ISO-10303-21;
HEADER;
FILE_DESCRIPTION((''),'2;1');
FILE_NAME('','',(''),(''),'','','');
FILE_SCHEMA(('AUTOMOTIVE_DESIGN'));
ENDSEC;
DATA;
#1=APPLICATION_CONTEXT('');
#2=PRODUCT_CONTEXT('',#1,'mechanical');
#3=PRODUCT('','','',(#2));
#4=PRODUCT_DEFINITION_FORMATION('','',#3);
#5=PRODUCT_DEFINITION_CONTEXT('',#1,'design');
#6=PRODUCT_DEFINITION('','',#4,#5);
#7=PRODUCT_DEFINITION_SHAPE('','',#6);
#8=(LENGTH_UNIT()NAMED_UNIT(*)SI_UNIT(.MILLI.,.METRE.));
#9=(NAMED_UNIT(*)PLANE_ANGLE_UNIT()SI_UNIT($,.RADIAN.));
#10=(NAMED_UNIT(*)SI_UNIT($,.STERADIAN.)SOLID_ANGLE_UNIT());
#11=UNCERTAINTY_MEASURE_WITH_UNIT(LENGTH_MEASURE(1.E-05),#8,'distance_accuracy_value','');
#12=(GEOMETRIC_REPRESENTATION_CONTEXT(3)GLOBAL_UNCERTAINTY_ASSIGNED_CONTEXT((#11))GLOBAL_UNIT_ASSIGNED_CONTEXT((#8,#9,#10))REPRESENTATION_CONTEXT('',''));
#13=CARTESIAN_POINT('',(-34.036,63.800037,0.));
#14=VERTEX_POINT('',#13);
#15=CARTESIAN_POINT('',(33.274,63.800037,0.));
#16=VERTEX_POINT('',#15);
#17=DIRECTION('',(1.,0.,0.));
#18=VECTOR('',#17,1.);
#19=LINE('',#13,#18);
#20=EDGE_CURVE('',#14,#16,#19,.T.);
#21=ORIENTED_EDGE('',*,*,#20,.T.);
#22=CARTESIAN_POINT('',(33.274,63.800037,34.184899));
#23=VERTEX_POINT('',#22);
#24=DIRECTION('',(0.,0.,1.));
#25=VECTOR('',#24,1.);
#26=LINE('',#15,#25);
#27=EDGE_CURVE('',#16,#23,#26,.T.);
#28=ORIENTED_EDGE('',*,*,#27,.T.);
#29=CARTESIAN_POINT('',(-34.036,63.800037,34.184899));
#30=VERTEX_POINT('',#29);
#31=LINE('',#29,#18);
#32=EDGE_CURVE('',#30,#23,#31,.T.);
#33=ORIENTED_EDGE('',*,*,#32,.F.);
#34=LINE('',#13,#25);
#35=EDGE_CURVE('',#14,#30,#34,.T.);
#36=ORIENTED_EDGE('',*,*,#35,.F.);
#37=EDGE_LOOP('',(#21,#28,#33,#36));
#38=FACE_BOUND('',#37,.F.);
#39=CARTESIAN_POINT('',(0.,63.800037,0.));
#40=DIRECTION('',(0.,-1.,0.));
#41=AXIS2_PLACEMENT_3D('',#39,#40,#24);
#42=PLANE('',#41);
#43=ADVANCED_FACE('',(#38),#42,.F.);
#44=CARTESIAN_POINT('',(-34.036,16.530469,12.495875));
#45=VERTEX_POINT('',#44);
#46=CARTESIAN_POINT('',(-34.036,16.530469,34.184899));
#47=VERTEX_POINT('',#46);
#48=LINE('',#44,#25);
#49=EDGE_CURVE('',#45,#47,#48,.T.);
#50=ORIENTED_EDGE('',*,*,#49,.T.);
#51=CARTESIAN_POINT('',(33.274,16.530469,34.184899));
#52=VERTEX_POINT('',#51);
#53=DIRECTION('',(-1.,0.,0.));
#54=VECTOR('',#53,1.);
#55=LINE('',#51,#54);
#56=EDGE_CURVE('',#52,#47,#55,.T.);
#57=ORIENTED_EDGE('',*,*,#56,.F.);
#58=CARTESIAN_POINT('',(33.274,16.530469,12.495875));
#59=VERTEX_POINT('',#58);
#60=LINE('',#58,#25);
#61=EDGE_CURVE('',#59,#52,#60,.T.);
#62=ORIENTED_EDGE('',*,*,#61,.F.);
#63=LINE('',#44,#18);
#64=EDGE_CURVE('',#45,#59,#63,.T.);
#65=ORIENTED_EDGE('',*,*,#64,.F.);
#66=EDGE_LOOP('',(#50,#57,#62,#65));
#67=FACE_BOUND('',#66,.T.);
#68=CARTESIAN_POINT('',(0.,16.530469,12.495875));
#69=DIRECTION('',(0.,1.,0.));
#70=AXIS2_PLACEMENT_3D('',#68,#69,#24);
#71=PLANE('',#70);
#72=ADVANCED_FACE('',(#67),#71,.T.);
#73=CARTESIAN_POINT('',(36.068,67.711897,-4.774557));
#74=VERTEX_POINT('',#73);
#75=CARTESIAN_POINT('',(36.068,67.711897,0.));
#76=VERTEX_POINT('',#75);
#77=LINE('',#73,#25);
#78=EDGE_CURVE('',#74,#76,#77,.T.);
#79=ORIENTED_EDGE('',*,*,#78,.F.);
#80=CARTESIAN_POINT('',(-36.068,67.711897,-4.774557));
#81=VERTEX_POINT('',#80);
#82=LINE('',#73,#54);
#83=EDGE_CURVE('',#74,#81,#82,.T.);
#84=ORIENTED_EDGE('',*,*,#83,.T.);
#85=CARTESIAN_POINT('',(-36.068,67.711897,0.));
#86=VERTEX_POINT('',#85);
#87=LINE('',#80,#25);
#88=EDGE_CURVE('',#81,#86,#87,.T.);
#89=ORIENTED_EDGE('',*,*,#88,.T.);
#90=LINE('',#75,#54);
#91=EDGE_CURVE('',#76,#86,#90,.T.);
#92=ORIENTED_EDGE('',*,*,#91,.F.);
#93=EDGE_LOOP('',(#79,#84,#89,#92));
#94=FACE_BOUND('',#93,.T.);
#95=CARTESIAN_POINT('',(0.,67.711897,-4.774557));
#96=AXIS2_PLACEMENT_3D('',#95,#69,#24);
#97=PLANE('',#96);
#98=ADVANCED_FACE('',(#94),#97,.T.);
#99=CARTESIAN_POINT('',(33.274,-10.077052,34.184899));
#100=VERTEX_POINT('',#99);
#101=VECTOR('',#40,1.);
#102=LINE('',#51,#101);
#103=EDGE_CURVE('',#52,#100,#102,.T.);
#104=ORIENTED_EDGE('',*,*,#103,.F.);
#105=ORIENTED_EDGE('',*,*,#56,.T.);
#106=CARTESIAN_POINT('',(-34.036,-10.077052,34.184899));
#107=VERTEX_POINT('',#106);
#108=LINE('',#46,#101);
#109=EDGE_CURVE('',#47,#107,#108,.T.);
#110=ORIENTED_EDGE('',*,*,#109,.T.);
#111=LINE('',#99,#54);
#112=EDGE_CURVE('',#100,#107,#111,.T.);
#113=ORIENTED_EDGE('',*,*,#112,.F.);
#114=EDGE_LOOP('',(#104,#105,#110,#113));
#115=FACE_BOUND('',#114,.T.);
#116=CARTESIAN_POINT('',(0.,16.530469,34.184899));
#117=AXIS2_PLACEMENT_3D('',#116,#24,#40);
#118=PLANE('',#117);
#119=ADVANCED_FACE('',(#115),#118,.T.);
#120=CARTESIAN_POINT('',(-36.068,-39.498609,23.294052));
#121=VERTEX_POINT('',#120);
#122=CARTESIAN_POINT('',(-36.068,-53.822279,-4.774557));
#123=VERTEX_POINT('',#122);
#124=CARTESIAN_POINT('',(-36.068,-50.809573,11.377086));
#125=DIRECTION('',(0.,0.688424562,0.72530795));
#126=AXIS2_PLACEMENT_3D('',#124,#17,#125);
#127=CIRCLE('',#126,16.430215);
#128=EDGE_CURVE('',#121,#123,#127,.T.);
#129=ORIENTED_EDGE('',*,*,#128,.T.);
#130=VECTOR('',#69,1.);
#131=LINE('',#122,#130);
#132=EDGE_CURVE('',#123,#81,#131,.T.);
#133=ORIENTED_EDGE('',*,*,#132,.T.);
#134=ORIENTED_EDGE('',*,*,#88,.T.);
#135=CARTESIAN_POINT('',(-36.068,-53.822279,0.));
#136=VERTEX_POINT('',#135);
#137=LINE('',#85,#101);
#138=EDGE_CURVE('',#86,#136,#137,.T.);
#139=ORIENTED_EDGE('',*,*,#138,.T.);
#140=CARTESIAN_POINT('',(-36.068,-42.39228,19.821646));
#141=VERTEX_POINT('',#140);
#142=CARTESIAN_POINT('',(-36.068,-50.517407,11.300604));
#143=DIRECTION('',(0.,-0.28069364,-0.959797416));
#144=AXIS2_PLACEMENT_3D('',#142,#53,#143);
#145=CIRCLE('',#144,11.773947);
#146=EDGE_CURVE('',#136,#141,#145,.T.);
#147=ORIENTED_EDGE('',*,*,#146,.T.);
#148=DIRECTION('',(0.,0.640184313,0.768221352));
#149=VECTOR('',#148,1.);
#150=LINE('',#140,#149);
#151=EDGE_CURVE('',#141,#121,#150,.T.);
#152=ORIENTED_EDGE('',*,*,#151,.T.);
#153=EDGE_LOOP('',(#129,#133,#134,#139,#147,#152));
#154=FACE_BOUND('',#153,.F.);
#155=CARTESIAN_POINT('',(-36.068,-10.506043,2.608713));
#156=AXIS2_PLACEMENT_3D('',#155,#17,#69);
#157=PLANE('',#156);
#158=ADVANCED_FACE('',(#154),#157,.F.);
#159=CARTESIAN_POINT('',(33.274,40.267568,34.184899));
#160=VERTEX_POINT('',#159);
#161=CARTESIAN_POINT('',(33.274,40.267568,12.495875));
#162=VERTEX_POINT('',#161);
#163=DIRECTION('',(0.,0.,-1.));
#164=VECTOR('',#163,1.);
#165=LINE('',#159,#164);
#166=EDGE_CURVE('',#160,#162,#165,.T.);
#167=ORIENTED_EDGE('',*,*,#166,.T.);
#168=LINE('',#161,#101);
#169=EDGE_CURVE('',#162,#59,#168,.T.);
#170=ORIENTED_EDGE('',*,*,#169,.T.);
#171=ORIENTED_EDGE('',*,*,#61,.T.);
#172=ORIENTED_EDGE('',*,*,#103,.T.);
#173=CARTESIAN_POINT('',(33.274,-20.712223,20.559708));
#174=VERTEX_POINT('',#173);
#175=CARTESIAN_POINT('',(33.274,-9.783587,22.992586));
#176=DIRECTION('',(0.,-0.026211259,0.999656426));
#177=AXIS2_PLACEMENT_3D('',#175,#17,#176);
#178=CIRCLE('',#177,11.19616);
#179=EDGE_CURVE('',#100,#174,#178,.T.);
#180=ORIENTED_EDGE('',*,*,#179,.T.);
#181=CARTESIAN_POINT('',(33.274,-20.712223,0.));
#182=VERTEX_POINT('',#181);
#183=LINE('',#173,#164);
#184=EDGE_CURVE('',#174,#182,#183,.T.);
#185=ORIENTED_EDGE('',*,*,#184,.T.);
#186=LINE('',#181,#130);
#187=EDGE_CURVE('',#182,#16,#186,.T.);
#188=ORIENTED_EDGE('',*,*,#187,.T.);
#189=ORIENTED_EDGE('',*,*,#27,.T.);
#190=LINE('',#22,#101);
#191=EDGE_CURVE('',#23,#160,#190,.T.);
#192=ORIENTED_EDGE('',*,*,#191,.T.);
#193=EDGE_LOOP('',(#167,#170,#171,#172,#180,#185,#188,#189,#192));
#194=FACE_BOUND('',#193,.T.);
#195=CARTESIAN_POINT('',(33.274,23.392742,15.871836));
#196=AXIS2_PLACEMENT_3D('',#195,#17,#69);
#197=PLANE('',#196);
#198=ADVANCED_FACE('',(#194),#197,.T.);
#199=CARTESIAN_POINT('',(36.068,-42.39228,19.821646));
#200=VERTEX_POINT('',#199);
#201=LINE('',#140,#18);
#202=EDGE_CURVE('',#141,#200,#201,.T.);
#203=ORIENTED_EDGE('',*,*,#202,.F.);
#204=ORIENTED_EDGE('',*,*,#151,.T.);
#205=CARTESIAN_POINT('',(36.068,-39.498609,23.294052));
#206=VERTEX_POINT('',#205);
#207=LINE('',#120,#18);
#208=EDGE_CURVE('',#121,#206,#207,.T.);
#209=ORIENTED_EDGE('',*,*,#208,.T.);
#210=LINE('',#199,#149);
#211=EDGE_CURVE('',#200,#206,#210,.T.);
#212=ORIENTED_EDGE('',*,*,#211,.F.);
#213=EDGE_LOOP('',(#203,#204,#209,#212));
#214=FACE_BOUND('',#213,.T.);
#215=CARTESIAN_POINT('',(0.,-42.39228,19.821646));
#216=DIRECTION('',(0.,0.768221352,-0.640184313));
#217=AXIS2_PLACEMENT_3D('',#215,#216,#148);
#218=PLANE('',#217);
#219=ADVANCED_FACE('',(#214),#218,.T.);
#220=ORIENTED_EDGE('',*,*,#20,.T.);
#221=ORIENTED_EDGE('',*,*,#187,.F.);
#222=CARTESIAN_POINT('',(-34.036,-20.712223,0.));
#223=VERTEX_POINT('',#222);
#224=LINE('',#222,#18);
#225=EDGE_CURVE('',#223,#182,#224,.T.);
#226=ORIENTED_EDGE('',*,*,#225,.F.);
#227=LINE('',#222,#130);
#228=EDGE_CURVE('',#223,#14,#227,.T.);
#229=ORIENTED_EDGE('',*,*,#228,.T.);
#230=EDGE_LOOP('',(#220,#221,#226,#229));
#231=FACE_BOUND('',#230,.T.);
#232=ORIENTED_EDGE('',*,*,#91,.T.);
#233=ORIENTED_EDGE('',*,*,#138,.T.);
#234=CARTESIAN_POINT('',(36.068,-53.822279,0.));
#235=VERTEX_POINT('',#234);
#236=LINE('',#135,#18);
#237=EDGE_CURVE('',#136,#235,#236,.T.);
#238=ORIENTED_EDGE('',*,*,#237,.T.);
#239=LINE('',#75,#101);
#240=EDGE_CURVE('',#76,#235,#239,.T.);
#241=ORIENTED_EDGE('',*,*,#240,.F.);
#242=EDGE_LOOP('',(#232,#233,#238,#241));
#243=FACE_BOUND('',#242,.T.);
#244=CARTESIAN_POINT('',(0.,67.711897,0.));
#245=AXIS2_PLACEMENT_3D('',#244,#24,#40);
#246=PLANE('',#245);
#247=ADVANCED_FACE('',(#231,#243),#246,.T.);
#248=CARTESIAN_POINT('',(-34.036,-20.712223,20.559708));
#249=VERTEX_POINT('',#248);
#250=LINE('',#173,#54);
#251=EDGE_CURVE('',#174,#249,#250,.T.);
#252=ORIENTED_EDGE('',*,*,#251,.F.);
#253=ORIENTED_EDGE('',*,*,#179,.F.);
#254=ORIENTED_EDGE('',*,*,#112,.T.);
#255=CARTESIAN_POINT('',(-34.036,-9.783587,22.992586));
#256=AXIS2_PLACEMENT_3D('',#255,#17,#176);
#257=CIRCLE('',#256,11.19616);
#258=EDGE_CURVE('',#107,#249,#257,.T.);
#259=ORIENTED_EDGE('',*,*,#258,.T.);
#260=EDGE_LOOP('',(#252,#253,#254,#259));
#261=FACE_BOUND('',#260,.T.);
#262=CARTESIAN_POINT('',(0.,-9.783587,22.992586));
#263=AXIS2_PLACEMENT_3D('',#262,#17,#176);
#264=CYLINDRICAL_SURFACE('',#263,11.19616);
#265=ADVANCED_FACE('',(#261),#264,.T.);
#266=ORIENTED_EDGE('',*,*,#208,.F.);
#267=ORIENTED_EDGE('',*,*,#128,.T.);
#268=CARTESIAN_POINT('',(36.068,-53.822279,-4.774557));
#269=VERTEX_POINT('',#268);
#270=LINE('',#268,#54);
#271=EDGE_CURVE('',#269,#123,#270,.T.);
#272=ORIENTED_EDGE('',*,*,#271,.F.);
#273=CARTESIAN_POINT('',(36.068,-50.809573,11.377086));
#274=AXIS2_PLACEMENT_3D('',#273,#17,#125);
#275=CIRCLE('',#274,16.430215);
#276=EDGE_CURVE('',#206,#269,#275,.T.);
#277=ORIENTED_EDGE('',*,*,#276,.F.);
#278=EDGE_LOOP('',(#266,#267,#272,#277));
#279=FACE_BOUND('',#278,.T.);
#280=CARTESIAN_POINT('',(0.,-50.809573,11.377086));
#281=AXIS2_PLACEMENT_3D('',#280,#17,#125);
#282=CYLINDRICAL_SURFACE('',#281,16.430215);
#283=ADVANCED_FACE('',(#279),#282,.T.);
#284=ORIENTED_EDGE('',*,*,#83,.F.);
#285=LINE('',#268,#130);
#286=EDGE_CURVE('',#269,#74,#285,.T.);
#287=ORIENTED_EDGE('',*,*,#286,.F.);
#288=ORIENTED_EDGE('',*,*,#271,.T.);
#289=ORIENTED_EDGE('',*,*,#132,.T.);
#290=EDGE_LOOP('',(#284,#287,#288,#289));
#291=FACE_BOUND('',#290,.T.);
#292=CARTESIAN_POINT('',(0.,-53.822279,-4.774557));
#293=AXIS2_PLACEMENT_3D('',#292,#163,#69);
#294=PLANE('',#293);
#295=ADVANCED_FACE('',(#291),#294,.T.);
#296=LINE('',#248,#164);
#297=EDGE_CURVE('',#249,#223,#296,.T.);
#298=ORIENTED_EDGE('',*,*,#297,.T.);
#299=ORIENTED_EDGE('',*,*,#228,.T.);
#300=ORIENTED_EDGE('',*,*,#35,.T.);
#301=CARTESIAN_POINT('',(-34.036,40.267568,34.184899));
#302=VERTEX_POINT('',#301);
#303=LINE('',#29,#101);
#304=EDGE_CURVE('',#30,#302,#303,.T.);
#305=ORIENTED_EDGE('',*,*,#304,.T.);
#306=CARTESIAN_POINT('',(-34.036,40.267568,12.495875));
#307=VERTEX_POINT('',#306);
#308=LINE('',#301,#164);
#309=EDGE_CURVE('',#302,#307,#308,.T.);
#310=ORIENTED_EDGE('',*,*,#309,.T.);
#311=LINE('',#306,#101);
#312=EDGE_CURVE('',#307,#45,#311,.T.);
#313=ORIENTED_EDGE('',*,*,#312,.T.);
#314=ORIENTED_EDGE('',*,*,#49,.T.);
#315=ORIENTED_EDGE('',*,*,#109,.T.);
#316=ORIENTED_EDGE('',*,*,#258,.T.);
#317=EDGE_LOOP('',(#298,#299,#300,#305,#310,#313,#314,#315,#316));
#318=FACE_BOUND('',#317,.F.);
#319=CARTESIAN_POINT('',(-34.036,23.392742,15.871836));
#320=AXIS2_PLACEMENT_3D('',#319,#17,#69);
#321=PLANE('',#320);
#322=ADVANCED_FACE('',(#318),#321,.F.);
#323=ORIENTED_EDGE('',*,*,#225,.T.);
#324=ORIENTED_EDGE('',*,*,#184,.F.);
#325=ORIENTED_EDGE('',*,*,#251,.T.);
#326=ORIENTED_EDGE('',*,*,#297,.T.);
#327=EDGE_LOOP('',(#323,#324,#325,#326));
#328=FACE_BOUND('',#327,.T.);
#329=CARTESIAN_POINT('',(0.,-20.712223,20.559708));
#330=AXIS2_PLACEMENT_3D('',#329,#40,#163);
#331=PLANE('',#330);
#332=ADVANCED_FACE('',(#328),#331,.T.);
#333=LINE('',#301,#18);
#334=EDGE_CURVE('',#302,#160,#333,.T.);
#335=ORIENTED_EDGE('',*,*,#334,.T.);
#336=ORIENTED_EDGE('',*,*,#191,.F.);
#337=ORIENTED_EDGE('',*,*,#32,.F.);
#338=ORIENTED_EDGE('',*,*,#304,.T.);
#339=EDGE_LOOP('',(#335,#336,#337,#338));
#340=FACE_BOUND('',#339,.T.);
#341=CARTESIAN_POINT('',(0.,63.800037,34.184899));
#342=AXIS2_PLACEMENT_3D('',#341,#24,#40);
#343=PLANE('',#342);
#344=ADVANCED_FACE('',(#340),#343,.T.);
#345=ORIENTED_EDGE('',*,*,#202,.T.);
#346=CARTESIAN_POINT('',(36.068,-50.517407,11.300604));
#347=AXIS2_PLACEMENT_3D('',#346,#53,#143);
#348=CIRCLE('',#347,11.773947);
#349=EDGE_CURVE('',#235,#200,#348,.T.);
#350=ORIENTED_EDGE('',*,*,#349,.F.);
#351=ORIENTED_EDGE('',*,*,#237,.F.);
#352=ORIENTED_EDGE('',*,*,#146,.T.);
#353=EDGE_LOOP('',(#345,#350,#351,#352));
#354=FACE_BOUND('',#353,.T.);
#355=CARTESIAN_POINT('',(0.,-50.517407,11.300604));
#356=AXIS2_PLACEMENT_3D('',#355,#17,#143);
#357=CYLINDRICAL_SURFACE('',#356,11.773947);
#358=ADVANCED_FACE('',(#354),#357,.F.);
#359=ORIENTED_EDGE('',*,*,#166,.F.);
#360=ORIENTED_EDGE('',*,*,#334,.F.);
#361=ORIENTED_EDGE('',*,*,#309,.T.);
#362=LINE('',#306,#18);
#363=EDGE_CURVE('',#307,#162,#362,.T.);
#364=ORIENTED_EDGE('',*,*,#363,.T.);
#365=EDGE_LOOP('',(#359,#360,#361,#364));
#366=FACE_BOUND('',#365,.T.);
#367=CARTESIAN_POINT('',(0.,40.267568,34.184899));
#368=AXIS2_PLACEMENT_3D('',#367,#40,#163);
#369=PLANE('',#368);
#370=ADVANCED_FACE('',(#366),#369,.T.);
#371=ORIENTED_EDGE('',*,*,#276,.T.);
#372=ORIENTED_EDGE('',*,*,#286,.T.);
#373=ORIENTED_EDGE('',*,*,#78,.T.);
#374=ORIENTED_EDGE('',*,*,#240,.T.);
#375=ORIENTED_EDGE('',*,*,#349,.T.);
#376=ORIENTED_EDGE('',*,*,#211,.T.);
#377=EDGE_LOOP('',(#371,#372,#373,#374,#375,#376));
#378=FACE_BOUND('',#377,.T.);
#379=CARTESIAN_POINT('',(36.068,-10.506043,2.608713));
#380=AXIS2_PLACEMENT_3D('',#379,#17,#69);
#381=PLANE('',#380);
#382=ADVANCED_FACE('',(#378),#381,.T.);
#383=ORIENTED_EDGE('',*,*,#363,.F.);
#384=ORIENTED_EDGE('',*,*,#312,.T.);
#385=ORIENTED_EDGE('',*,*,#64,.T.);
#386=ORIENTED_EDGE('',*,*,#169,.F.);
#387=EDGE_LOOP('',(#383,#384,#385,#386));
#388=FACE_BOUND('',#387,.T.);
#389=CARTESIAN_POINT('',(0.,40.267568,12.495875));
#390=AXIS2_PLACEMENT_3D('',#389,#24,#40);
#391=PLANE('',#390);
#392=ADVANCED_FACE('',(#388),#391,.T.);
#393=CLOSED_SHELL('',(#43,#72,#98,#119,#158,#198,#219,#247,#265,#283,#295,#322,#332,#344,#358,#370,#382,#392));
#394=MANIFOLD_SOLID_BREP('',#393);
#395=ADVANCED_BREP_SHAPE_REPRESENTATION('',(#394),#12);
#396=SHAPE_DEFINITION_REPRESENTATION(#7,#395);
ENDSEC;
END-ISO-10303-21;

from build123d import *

# Parameters (mm, degrees)
F1_DEPTH      = 36.068
F1_DEPTH_BACK = 36.068
F3_DEPTH      = 33.274
F3_DEPTH_BACK = 34.036


with BuildPart() as f1:
    # F0 (on Right) → F1 (new body, two sides)
    with BuildSketch(Plane.YZ) as f1_sk:
        with BuildLine():
            Line((67.711897, 0), (53.822275, 0))
            Line((53.822275, 0), (-53.822279, 0))
            ThreePointArc((-53.822279, 0), (-60.71707, 17.182161), (-42.39228, 19.821646))
            Line((-42.39228, 19.821646), (-39.498609, 23.294052))
            ThreePointArc((-39.498609, 23.294052), (-65.444359, 18.845353), (-53.822279, -4.774557))
            Line((-53.822279, -4.774557), (67.711897, -4.774557))
            Line((67.711897, -4.774557), (67.711897, 0))
        make_face()
    extrude(amount=F1_DEPTH)
    extrude(f1_sk.sketch, amount=-F1_DEPTH_BACK)

    # F2 (on Right) → F3 (join, two sides)
    with BuildSketch(Plane.YZ) as f3_sk:
        with BuildLine():
            Line((-20.712223, 20.559708), (-20.712223, 0))
            Line((-20.712223, 0), (63.800037, 0))
            Line((63.800037, 0), (63.800037, 34.184899))
            Line((63.800037, 34.184899), (40.267568, 34.184899))
            Line((40.267568, 34.184899), (40.267568, 12.495875))
            Line((40.267568, 12.495875), (16.530469, 12.495875))
            Line((16.530469, 12.495875), (16.530469, 34.184899))
            Line((16.530469, 34.184899), (-10.077052, 34.184899))
            ThreePointArc((-10.077052, 34.184899), (-18.609421, 29.881609), (-20.712223, 20.559708))
        make_face()
    extrude(amount=F3_DEPTH)
    extrude(f3_sk.sketch, amount=-F3_DEPTH_BACK)


solid = f1.part
